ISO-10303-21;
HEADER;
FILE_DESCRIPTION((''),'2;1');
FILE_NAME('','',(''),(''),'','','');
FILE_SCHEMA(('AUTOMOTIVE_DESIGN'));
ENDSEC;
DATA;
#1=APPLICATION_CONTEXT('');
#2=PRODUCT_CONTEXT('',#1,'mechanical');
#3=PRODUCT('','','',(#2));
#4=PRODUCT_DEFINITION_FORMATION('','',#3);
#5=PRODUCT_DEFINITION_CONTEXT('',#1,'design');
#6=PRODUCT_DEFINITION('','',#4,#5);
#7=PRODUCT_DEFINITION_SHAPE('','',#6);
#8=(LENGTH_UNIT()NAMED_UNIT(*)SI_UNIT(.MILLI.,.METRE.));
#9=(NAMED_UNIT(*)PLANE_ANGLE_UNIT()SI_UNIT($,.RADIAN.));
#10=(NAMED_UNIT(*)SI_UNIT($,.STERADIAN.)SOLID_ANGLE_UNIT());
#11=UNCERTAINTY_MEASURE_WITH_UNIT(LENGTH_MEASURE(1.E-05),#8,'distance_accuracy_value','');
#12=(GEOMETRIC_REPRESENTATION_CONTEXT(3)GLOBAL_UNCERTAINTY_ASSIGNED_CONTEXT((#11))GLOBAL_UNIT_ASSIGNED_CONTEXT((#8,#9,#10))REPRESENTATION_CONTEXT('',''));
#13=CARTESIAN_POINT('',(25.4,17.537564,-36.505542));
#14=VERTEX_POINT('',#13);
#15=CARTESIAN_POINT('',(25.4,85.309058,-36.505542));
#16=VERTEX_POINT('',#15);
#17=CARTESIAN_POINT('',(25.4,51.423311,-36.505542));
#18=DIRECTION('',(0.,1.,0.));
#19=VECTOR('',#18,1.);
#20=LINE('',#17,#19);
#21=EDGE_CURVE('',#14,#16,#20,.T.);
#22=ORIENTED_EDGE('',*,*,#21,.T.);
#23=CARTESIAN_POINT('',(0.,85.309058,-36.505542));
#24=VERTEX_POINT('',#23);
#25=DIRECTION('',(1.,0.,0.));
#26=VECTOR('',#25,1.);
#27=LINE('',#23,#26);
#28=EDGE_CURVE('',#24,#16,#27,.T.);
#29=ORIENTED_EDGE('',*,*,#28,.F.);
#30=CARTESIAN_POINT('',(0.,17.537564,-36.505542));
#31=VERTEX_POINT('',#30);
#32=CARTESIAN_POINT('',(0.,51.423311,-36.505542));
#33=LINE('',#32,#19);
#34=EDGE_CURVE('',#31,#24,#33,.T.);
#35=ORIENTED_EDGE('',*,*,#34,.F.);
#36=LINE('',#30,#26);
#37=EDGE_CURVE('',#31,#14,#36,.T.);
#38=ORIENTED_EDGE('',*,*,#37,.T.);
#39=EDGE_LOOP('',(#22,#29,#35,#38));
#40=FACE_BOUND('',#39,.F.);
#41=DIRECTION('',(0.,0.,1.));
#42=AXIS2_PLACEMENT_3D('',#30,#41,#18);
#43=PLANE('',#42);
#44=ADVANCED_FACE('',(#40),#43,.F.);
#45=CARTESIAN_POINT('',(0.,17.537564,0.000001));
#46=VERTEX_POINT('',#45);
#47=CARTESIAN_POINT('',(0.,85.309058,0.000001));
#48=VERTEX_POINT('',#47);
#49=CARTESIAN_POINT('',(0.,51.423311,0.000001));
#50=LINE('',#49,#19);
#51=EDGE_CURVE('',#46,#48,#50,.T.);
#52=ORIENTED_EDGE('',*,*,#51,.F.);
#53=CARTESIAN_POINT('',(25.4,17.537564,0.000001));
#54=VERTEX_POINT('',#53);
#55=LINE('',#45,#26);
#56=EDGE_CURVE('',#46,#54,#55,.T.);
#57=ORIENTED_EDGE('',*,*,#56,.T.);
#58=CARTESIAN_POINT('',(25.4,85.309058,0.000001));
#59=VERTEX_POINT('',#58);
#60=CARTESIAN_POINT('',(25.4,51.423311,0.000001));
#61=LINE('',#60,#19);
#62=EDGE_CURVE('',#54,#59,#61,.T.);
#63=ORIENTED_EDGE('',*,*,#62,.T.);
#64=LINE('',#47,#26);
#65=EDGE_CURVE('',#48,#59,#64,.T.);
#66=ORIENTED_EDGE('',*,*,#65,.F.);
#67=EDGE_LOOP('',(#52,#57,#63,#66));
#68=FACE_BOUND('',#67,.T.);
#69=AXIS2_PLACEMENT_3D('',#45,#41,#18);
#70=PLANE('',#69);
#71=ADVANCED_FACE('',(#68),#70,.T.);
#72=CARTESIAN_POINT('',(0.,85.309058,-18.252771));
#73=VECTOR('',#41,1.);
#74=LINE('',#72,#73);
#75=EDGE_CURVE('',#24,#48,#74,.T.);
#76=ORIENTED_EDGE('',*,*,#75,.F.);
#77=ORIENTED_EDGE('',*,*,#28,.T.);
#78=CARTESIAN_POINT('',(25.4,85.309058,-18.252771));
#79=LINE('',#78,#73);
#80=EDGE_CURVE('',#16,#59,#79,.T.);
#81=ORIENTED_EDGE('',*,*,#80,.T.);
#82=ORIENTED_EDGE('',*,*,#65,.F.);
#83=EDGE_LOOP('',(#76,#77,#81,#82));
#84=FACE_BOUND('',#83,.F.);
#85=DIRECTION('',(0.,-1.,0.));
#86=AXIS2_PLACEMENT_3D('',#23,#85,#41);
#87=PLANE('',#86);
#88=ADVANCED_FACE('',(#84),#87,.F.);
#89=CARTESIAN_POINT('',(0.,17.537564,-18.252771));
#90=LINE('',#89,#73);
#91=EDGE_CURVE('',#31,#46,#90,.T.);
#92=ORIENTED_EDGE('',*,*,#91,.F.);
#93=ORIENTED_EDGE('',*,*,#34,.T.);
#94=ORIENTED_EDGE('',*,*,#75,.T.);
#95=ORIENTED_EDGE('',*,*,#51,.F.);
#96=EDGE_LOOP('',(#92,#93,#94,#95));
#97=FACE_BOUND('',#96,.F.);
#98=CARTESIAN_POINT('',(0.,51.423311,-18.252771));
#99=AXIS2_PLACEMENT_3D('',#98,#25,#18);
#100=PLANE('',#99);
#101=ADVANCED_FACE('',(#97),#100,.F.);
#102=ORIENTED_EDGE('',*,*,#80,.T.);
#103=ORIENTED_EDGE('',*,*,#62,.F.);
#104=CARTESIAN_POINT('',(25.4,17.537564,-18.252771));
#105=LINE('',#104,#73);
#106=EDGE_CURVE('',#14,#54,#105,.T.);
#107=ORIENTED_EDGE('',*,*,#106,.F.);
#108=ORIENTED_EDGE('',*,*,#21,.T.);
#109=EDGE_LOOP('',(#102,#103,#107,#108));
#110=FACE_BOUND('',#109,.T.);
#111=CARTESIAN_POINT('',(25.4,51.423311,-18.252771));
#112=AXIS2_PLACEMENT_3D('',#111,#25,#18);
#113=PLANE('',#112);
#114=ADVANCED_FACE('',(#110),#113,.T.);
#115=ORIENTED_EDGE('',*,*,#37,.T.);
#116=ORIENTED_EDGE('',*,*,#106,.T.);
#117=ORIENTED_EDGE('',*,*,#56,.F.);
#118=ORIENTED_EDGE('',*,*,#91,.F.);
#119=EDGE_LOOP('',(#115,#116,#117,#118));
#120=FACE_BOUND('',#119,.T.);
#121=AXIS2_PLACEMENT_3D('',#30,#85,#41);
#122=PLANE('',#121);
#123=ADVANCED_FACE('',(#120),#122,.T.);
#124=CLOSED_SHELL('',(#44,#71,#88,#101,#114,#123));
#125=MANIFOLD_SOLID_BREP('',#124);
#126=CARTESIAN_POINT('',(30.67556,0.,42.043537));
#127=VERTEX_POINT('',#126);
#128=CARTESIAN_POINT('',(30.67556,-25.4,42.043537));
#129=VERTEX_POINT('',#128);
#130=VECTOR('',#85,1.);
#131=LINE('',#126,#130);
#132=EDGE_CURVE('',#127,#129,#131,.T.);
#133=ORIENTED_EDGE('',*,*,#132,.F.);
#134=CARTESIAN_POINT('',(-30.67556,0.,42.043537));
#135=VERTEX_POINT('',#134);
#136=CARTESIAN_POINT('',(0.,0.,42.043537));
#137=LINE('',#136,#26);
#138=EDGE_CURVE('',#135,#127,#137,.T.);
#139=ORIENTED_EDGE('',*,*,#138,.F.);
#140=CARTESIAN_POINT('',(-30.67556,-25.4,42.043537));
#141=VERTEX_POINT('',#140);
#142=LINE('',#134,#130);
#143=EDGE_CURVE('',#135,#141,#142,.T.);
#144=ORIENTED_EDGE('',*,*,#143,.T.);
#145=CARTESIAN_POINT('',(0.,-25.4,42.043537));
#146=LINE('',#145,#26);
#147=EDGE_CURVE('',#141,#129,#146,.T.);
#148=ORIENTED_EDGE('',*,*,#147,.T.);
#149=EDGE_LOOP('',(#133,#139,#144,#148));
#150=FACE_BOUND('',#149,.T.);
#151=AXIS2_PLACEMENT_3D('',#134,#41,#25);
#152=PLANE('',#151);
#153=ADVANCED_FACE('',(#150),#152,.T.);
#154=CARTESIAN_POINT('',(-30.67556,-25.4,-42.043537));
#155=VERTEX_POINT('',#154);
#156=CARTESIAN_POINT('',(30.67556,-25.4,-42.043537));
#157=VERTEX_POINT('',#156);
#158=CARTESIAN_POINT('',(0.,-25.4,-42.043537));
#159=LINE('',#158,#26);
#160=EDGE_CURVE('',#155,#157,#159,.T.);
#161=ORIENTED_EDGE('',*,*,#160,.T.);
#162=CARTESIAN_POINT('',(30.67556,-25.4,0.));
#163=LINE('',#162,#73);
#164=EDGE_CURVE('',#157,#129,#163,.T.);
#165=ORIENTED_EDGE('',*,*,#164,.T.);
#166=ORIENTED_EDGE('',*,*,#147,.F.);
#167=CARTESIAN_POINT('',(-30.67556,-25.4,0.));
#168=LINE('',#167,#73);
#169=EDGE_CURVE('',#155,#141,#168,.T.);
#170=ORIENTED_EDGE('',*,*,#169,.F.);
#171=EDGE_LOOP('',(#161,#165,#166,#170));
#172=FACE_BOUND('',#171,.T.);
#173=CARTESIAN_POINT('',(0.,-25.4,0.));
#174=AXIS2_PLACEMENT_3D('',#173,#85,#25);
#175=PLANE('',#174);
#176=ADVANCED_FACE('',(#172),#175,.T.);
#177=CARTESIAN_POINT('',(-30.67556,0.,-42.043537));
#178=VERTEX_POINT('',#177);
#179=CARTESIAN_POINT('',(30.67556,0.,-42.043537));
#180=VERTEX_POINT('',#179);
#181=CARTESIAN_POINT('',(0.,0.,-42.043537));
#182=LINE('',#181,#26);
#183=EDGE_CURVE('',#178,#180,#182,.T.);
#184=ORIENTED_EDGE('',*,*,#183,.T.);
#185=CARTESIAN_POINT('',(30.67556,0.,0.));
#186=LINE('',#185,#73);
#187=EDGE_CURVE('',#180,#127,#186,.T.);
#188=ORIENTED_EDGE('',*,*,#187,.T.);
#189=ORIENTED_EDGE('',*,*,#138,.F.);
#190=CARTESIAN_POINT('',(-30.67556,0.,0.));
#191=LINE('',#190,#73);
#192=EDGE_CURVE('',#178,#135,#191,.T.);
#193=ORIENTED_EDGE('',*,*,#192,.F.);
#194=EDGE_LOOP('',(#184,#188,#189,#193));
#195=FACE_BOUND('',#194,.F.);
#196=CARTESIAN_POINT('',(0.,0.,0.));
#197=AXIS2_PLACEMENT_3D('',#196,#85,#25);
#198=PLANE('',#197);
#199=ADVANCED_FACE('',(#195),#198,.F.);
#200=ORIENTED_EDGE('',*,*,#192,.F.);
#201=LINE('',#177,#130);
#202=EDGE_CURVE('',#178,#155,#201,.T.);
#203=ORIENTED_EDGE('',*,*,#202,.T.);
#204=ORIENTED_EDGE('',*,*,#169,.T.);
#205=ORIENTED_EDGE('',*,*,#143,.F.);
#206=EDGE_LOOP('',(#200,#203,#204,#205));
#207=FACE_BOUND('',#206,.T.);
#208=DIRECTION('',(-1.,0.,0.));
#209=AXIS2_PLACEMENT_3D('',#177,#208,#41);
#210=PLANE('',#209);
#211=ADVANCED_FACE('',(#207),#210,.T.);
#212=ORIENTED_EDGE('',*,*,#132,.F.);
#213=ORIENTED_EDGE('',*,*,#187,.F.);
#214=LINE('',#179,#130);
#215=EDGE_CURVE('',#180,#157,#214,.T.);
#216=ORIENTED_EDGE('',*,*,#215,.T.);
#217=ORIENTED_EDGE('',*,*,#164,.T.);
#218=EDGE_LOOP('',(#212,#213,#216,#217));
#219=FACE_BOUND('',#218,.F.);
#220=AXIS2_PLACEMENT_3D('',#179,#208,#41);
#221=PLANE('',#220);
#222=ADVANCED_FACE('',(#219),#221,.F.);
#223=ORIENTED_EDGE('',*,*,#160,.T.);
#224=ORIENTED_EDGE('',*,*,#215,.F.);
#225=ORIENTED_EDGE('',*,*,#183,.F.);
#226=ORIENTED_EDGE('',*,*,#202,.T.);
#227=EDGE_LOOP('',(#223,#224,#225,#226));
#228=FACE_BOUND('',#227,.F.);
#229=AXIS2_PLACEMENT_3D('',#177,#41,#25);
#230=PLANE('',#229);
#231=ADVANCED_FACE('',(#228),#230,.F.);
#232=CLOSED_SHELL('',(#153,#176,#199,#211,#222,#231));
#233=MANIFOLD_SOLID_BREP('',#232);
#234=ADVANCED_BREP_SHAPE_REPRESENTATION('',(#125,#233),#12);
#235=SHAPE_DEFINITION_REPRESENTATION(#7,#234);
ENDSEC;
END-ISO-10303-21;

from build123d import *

# Parameters (mm, degrees)
F0_W     = 61.35112
F0_H     = 84.087074
F1_DEPTH = 25.4
F2_W     = 67.771494
F2_H     = 36.505543
F3_DEPTH = 25.4


with BuildPart() as f1:
    # F0 (on Front) → F1 (new body)
    with BuildSketch(Plane.XZ):
        Rectangle(F0_W, F0_H)
    extrude(amount=F1_DEPTH)


with BuildPart() as f3:
    # F2 (on Right) → F3 (new body)
    with BuildSketch(Plane.YZ):
        with Locations((51.423311, -18.252771)):
            Rectangle(F2_W, F2_H)
    extrude(amount=F3_DEPTH)


solid = Compound([f1.part, f3.part])
